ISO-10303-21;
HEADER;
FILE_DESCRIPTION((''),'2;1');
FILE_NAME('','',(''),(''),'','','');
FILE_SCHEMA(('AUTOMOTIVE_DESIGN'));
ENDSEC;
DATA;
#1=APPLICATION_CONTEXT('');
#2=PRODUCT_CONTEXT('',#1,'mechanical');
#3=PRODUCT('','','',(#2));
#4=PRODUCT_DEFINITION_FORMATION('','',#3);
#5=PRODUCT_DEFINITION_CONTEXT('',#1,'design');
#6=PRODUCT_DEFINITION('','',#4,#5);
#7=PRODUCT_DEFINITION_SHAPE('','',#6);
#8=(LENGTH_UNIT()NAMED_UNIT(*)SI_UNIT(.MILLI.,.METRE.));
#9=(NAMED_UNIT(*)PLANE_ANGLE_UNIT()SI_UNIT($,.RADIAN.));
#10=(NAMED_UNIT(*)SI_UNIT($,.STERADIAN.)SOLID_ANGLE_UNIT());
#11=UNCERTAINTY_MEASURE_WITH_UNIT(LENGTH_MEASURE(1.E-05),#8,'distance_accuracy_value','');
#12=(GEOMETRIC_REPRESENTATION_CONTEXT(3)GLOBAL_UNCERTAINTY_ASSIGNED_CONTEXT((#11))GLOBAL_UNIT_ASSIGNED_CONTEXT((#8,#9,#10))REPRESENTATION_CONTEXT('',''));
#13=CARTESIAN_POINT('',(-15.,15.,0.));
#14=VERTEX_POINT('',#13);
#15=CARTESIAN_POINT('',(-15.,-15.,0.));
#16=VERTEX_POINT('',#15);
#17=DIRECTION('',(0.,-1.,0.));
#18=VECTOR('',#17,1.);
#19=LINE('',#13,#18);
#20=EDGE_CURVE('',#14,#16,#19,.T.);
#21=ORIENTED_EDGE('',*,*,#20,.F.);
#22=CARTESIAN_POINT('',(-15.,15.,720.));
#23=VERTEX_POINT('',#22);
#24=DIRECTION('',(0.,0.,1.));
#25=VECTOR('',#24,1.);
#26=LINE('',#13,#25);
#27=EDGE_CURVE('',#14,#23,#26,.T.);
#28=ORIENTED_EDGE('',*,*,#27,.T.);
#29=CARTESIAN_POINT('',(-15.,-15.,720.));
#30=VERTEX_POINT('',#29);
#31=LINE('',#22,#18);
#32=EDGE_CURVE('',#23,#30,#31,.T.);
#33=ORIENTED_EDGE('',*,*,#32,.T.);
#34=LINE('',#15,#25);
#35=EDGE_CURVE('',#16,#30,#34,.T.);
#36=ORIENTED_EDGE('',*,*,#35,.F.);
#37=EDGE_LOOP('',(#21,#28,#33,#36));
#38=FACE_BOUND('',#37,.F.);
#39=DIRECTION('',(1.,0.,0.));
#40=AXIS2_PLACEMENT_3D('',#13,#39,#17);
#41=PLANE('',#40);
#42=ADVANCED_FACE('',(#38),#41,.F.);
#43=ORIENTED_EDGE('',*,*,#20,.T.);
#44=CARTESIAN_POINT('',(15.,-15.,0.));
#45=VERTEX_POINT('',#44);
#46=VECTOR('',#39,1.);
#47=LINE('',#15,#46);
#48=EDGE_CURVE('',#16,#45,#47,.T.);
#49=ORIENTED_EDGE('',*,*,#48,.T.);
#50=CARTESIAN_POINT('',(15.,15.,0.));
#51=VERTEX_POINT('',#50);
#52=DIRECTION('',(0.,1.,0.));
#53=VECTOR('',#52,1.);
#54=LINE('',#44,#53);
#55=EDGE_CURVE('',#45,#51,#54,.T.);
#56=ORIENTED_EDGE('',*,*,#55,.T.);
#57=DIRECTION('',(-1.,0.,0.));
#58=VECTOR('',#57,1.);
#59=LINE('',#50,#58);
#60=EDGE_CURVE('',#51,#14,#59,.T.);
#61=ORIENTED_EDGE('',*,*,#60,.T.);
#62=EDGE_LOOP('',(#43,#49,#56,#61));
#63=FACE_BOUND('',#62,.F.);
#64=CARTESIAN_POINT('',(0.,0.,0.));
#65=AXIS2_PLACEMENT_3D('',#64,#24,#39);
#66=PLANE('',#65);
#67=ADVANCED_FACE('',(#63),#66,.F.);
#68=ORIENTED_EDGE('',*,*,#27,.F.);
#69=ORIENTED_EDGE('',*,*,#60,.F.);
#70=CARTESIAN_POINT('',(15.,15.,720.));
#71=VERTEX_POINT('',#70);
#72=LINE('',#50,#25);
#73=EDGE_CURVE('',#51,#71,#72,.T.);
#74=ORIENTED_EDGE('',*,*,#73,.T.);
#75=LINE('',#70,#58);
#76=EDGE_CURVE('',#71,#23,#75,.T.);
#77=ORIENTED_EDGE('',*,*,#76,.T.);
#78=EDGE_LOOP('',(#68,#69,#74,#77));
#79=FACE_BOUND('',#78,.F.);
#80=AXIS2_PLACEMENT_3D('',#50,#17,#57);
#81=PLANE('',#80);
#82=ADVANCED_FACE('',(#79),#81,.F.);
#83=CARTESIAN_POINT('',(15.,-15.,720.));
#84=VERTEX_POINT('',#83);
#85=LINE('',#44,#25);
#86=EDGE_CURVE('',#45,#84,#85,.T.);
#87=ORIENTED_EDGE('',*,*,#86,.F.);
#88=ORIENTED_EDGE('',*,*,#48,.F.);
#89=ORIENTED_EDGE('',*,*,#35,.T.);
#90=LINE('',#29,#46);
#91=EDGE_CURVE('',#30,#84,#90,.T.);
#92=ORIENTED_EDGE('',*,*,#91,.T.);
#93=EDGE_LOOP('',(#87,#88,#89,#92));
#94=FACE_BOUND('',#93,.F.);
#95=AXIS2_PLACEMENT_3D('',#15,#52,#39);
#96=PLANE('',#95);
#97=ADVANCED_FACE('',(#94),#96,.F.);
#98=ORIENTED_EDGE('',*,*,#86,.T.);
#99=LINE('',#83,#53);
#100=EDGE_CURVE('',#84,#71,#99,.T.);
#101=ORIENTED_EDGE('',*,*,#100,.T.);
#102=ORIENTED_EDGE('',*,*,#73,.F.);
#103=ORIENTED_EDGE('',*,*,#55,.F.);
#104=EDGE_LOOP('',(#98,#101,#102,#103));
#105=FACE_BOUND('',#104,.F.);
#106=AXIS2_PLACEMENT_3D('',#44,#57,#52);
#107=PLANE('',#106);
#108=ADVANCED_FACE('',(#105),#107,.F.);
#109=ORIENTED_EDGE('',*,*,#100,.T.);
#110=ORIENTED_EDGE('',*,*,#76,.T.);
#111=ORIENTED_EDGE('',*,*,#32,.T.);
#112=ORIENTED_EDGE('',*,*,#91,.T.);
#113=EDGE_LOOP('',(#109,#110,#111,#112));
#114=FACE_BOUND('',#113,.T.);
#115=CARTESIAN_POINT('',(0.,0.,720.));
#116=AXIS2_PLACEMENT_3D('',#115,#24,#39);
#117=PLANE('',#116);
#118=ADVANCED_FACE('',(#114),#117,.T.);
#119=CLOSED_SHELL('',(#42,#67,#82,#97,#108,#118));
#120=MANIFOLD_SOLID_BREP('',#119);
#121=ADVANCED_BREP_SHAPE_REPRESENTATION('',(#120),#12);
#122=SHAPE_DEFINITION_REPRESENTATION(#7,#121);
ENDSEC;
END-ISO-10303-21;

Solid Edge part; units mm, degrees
sketch "Sketch1" plane through (0, 0, 0) normal (0, 0, 1) x (1, 0, 0)
  line L0 (-15, -15) -> (15, -15)
  line L1 (15, -15) -> (15, 15)
  line L2 (15, 15) -> (-15, 15)
  line L3 (-15, 15) -> (-15, -15)
extrude "Protrusion1" add sketch "Sketch1" along normal blind 720
